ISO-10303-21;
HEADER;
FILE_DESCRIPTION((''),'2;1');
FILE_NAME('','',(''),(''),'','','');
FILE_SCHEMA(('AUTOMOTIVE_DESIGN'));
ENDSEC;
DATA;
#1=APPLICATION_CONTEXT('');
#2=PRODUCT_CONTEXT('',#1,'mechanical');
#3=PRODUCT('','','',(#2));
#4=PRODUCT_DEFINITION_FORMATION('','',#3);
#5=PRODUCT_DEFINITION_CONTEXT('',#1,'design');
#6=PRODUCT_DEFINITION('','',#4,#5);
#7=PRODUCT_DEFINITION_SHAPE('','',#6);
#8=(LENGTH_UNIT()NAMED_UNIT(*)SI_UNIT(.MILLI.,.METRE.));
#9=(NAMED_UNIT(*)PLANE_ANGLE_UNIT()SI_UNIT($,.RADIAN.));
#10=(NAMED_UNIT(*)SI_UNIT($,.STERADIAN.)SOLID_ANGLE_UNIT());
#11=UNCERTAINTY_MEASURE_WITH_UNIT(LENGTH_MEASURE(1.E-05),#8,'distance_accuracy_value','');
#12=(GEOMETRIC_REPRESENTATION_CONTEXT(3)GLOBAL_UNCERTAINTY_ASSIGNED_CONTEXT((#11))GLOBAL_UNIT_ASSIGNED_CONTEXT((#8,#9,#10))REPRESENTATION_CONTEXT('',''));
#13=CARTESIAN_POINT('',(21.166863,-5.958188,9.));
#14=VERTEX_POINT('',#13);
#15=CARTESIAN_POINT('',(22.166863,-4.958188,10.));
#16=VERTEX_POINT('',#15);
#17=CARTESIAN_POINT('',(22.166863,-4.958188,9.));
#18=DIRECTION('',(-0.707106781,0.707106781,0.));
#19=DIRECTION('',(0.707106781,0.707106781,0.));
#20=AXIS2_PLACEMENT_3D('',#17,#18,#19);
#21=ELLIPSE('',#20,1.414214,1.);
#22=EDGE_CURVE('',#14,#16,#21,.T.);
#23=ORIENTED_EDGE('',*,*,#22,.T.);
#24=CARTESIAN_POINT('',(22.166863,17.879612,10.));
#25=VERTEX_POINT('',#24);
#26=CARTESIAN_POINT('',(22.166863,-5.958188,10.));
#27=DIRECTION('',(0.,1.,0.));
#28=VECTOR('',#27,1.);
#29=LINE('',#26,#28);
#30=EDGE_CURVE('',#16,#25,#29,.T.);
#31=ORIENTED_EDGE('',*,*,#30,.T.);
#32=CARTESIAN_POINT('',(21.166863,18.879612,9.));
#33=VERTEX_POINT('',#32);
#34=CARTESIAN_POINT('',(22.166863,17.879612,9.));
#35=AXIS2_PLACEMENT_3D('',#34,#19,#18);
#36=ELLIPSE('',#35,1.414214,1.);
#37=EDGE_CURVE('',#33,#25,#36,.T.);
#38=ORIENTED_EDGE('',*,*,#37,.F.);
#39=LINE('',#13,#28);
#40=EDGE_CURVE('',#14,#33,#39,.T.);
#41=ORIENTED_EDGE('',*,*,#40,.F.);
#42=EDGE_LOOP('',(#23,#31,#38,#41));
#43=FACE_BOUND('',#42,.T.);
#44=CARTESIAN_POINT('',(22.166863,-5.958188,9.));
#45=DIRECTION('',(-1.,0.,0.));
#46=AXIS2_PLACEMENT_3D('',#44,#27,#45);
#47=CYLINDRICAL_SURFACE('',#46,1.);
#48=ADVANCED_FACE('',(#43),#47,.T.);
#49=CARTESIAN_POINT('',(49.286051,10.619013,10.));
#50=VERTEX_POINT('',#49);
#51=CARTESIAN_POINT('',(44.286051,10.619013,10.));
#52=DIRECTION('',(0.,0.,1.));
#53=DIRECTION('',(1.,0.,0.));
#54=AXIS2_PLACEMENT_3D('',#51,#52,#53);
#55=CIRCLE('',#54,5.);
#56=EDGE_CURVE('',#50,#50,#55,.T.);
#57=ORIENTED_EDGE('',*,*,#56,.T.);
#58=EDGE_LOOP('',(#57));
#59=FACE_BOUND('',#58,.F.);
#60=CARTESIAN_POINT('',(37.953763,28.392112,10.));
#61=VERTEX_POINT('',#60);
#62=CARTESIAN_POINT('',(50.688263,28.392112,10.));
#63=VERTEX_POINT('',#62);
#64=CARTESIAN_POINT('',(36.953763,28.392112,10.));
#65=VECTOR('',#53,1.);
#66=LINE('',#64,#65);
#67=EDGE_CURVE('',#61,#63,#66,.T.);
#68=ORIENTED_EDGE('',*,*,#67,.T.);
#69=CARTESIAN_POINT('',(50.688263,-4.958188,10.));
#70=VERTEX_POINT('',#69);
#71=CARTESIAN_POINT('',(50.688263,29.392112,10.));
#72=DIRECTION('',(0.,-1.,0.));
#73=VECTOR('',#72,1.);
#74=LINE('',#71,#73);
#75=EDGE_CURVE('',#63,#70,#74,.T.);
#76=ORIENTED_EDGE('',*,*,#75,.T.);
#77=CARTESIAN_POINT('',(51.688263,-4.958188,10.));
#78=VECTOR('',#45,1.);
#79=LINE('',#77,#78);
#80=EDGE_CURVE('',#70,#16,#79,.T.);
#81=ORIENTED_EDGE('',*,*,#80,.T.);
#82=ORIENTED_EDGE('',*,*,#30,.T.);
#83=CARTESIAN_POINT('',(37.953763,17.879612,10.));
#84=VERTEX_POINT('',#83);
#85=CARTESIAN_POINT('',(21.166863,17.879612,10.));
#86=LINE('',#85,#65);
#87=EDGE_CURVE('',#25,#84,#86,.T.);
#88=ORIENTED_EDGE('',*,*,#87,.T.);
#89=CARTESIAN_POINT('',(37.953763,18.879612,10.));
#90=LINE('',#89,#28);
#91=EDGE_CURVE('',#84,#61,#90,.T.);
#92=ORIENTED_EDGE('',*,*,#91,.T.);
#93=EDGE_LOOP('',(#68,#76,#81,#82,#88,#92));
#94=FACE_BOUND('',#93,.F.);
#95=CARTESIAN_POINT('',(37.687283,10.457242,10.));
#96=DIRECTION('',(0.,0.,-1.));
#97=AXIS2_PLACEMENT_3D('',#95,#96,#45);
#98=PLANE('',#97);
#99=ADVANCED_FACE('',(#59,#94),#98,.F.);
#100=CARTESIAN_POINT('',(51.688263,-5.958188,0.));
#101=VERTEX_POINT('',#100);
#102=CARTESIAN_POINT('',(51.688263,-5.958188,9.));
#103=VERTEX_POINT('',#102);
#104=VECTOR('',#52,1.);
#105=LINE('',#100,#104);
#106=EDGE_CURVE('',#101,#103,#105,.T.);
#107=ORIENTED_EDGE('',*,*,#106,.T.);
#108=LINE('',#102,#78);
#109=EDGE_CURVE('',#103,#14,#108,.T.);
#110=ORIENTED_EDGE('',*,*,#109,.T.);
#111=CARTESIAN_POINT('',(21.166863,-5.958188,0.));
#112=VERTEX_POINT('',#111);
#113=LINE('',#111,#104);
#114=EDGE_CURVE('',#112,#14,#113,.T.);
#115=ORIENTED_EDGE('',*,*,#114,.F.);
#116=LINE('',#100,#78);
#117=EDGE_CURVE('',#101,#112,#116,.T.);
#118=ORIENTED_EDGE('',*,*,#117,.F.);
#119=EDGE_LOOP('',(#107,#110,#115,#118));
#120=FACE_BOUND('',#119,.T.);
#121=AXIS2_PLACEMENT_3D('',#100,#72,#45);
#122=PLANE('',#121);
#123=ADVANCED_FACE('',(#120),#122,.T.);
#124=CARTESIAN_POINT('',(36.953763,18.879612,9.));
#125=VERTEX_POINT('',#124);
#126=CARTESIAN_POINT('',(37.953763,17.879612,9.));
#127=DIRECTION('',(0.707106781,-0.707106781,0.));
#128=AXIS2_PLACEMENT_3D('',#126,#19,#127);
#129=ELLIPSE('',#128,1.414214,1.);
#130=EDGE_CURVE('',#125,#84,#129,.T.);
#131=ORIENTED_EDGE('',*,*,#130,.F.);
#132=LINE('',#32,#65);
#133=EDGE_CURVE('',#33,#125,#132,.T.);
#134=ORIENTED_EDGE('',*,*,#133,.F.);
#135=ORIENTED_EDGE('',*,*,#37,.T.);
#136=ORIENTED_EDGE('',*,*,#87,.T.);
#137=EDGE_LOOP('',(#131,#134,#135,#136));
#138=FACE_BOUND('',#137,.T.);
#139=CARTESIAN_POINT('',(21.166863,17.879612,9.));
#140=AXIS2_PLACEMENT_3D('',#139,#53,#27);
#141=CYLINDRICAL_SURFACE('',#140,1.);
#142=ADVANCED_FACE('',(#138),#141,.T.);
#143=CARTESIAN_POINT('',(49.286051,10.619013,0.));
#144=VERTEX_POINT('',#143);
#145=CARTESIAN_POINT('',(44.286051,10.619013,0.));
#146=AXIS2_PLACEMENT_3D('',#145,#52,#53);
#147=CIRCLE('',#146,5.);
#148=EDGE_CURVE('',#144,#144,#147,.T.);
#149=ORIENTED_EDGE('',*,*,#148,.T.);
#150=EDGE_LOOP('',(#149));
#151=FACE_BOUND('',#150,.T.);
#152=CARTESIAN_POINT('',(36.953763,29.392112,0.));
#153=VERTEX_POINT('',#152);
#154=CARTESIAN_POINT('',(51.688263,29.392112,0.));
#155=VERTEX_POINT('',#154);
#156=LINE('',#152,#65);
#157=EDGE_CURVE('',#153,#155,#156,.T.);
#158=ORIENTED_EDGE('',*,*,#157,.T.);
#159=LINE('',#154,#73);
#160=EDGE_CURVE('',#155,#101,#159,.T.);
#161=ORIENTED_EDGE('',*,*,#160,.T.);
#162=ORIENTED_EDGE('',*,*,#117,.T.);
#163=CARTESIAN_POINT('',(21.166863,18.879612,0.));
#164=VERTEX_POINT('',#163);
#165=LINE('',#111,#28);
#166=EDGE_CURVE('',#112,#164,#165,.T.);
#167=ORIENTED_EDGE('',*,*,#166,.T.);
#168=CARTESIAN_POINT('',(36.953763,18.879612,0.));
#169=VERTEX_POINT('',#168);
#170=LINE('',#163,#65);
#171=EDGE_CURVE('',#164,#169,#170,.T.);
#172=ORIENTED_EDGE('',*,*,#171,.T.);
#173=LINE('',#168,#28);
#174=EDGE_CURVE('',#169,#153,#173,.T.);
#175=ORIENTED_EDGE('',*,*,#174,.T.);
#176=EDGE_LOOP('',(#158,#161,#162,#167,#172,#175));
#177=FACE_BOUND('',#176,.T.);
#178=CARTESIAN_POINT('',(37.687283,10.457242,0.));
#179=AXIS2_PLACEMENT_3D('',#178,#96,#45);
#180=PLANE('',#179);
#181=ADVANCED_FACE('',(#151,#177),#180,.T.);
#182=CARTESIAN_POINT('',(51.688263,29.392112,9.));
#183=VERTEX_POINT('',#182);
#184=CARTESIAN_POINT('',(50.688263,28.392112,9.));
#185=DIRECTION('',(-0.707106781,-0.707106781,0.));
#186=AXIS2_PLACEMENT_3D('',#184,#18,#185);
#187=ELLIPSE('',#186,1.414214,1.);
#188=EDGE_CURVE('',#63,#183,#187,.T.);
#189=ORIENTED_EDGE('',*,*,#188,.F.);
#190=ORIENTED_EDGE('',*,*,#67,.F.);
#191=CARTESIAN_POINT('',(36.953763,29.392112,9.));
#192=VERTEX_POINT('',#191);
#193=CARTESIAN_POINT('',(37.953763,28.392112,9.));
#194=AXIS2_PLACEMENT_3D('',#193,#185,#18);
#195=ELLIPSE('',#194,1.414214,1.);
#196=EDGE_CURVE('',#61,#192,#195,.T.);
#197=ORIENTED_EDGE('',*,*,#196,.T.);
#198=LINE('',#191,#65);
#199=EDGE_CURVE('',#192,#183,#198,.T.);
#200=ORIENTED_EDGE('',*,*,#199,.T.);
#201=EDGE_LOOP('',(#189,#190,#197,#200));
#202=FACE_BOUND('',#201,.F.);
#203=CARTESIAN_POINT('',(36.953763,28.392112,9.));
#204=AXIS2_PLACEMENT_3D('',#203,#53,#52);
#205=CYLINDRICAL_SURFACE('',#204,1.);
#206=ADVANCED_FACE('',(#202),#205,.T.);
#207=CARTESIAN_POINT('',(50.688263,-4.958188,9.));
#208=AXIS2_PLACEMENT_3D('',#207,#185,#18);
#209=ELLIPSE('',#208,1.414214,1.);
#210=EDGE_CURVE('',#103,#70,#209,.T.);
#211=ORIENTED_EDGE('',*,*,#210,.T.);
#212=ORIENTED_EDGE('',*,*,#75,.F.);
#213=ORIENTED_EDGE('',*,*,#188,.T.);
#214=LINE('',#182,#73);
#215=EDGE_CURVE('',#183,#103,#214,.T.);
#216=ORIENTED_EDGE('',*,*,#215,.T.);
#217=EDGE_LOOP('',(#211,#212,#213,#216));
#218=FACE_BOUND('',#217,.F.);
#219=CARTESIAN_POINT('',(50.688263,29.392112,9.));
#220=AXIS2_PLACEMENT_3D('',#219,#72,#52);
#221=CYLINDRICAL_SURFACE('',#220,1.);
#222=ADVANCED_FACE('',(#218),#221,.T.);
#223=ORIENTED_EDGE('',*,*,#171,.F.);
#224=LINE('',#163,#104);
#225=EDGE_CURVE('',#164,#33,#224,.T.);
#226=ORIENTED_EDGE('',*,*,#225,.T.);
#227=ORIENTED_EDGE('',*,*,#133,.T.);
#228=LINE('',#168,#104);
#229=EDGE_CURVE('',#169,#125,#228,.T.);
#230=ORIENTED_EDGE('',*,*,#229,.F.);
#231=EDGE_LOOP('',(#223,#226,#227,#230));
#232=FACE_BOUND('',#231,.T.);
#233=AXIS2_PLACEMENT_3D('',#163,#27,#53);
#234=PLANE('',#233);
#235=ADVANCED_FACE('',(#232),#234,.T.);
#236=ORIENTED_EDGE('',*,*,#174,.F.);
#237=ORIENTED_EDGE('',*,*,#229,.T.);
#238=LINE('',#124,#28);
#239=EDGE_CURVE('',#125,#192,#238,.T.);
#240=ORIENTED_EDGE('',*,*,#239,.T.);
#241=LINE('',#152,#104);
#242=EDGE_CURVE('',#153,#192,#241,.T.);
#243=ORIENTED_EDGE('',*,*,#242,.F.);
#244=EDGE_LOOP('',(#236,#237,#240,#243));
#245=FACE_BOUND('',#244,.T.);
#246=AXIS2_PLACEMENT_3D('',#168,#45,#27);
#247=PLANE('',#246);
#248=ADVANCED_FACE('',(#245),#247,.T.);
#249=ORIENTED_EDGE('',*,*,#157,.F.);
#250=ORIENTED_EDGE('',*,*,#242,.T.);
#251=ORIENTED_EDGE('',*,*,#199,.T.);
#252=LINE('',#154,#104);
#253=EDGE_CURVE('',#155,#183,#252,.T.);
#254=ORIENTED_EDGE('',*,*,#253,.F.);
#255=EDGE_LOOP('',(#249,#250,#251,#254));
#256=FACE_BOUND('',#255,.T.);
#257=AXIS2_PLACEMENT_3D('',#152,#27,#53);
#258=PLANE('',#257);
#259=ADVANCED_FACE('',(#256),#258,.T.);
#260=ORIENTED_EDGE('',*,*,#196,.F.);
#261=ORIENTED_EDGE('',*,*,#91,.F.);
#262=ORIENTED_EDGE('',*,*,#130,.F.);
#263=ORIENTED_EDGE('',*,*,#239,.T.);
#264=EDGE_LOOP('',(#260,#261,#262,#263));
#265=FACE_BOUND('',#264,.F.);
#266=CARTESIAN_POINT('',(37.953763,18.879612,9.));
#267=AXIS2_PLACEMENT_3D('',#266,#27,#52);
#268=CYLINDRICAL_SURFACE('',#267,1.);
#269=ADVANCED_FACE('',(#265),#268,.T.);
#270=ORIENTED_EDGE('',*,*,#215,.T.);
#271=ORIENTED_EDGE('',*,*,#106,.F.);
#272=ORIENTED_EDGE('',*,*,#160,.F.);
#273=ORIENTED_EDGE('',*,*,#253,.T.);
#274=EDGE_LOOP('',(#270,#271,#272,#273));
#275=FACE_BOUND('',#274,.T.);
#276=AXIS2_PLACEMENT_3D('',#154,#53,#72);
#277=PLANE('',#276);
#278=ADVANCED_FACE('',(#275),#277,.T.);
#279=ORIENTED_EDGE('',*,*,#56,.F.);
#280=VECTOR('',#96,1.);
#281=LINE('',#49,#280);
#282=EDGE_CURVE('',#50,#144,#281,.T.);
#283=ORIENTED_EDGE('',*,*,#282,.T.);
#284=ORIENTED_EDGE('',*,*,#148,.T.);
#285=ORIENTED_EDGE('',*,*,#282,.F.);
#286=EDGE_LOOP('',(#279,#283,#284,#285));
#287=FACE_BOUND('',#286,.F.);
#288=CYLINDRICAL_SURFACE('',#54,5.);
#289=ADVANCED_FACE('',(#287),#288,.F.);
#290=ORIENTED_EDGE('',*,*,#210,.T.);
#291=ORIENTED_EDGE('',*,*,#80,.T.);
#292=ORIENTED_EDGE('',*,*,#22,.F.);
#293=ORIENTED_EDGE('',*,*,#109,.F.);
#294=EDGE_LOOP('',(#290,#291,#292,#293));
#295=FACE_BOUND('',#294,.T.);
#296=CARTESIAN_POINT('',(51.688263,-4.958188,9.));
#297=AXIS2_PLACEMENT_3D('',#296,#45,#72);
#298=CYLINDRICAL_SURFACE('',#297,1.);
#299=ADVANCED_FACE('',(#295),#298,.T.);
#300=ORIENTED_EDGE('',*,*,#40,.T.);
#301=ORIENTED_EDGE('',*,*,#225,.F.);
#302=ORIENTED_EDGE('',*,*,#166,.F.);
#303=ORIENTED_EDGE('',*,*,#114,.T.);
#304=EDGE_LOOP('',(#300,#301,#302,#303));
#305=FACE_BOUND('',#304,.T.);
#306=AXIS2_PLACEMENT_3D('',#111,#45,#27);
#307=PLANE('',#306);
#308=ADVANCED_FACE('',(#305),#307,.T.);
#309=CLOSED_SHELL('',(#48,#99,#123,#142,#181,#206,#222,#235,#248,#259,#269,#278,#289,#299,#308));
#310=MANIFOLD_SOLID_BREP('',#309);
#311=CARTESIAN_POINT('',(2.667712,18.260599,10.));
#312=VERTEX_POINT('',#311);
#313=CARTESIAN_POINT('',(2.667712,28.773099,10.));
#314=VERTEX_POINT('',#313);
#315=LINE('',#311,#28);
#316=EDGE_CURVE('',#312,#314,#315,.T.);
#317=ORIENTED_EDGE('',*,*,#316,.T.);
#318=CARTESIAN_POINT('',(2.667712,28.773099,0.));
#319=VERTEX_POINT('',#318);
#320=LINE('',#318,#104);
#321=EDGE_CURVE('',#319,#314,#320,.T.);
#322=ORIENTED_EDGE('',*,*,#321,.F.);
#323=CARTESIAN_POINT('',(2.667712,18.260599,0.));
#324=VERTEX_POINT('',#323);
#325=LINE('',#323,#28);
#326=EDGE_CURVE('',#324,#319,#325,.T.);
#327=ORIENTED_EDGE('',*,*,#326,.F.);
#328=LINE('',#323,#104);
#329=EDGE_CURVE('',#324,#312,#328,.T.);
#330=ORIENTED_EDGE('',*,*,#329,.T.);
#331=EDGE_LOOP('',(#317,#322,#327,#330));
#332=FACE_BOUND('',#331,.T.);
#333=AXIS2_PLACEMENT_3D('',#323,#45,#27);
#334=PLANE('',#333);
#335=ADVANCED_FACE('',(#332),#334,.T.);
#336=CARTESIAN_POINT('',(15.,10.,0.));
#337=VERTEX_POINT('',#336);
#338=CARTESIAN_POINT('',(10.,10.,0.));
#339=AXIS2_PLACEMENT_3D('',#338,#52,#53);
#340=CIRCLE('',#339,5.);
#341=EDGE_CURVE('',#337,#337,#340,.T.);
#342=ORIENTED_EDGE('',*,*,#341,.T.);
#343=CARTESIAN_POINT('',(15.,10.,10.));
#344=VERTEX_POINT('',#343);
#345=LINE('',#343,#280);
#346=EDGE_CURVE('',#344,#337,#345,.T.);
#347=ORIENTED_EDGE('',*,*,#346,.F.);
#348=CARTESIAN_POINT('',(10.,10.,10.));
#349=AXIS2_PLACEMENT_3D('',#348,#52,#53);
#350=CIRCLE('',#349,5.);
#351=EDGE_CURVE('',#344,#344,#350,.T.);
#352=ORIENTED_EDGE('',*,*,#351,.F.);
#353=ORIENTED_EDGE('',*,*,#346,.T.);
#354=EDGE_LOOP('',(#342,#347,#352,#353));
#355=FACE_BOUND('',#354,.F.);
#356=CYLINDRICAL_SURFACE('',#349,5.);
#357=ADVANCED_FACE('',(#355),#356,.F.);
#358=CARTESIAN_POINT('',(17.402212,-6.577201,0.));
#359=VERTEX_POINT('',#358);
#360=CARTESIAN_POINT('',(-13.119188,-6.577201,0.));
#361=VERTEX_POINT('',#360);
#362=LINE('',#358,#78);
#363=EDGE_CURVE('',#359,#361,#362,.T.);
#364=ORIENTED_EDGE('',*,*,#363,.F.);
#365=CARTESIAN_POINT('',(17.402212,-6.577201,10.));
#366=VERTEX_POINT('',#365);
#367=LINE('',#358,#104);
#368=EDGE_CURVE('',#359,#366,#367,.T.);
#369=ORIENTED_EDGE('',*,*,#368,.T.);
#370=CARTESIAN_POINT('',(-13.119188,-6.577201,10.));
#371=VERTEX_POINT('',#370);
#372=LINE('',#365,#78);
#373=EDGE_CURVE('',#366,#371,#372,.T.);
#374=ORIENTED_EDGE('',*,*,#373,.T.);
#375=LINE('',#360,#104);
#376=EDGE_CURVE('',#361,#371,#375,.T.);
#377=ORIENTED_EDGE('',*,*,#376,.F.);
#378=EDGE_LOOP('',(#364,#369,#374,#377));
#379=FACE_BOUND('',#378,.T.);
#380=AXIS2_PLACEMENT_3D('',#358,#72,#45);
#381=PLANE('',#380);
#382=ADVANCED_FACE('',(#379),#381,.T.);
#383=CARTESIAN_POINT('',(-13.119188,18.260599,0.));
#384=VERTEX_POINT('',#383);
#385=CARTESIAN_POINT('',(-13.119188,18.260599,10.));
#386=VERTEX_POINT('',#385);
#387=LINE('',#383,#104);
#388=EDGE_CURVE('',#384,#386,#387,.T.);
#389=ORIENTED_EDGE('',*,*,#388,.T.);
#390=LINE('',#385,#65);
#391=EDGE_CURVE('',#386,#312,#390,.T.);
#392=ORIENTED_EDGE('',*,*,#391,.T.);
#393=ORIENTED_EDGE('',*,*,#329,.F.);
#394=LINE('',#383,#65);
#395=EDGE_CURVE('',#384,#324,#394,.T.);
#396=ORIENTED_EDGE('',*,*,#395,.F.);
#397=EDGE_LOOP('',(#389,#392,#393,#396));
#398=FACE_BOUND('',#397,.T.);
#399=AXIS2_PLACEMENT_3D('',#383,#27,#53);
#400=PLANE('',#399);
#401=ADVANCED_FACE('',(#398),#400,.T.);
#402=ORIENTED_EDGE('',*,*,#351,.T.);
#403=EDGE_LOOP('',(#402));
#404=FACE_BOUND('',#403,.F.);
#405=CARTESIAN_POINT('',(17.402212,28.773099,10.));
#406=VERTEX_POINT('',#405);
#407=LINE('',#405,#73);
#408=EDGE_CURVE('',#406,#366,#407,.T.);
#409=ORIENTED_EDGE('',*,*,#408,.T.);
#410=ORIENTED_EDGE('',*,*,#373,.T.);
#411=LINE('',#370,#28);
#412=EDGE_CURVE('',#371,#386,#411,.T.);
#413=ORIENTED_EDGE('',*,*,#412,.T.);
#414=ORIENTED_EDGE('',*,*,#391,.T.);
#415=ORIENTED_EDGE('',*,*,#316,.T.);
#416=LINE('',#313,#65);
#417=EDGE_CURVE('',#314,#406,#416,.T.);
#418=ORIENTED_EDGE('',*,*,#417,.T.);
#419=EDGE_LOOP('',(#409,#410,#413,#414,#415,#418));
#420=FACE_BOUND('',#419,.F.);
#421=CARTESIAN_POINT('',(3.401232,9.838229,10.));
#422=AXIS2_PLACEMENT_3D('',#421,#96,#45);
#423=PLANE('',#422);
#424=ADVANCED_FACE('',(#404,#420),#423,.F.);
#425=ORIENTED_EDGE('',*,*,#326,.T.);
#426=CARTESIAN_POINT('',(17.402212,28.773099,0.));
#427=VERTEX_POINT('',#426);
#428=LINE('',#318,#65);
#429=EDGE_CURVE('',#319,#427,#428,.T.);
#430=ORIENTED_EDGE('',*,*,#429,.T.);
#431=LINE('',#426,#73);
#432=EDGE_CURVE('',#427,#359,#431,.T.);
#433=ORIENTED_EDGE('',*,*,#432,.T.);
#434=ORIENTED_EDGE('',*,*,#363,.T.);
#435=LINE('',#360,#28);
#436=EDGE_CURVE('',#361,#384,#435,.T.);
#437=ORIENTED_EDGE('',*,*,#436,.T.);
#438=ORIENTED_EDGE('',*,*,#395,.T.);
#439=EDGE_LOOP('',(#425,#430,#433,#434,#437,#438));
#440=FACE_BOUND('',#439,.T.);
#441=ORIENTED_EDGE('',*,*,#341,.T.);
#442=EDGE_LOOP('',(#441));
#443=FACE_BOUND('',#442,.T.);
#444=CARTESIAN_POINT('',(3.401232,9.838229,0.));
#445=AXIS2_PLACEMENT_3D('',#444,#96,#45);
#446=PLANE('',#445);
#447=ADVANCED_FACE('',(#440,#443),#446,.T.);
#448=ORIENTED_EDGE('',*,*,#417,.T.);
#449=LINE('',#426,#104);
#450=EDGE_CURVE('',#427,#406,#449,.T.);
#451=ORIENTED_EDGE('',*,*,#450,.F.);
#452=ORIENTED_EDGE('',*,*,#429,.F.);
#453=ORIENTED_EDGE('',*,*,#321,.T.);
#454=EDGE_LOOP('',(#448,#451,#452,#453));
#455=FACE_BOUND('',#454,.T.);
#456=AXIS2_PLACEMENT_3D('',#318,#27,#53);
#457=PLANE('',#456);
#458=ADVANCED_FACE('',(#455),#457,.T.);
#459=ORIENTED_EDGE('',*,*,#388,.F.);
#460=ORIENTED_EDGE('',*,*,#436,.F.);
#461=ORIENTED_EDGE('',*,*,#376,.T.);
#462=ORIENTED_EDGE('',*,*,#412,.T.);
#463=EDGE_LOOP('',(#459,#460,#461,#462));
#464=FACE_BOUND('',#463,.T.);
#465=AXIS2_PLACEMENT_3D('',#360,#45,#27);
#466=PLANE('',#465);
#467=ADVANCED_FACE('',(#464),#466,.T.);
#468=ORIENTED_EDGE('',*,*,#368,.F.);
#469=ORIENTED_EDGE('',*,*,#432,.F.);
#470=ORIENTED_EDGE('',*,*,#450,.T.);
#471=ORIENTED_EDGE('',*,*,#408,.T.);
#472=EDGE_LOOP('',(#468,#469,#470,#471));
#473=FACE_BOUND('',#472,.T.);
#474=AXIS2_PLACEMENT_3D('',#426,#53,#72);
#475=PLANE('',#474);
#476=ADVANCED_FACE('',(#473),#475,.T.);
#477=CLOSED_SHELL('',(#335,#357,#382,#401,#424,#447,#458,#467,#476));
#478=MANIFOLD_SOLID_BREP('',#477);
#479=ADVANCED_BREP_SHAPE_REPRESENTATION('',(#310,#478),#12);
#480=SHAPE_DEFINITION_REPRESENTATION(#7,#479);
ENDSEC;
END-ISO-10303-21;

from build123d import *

# Parameters (mm, degrees)
PAD_DEPTH    = 10
SKETCH001_R  = 5
POCKET_DEPTH = 10.001
FILLET_R     = 1


with BuildPart() as pocket:
    # Sketch → Pad (new body)
    with BuildSketch(Plane.XY):
        Polygon((-13.119188, -6.577201), (-13.119188, 18.260599), (2.667712, 18.260599), (2.667712, 28.773099), (17.402212, 28.773099), (17.402212, -6.577201), align=None)
    extrude(amount=PAD_DEPTH)

    # Sketch001 → Pocket (cut, through all)
    with BuildSketch(Plane.XY.offset(10)):
        with Locations((10, 10)):
            Circle(SKETCH001_R)
    extrude(amount=-POCKET_DEPTH, mode=Mode.SUBTRACT)


with BuildPart() as fillet_body:
    # Clone base: copy of Pocket
    add(pocket.part)


with BuildPart() as fillet_body_1:
    # Clone placement: moved
    add(fillet_body.part.moved(Location((34.286051, 0.619013, 0))))

    # Fillet
    fillet_edges = [fillet_body_1.edges().sort_by_distance(p)[0] for p in [
        (21.166863, 6.460712, 10),
        (36.427563, -5.958188, 10),
        (29.060313, 18.879612, 10),
        (51.688263, 11.716962, 10),
        (36.953763, 24.135862, 10),
        (44.321013, 29.392112, 10),
    ]]
    fillet(fillet_edges, radius=FILLET_R)


solid = Compound([pocket.part, fillet_body_1.part])
